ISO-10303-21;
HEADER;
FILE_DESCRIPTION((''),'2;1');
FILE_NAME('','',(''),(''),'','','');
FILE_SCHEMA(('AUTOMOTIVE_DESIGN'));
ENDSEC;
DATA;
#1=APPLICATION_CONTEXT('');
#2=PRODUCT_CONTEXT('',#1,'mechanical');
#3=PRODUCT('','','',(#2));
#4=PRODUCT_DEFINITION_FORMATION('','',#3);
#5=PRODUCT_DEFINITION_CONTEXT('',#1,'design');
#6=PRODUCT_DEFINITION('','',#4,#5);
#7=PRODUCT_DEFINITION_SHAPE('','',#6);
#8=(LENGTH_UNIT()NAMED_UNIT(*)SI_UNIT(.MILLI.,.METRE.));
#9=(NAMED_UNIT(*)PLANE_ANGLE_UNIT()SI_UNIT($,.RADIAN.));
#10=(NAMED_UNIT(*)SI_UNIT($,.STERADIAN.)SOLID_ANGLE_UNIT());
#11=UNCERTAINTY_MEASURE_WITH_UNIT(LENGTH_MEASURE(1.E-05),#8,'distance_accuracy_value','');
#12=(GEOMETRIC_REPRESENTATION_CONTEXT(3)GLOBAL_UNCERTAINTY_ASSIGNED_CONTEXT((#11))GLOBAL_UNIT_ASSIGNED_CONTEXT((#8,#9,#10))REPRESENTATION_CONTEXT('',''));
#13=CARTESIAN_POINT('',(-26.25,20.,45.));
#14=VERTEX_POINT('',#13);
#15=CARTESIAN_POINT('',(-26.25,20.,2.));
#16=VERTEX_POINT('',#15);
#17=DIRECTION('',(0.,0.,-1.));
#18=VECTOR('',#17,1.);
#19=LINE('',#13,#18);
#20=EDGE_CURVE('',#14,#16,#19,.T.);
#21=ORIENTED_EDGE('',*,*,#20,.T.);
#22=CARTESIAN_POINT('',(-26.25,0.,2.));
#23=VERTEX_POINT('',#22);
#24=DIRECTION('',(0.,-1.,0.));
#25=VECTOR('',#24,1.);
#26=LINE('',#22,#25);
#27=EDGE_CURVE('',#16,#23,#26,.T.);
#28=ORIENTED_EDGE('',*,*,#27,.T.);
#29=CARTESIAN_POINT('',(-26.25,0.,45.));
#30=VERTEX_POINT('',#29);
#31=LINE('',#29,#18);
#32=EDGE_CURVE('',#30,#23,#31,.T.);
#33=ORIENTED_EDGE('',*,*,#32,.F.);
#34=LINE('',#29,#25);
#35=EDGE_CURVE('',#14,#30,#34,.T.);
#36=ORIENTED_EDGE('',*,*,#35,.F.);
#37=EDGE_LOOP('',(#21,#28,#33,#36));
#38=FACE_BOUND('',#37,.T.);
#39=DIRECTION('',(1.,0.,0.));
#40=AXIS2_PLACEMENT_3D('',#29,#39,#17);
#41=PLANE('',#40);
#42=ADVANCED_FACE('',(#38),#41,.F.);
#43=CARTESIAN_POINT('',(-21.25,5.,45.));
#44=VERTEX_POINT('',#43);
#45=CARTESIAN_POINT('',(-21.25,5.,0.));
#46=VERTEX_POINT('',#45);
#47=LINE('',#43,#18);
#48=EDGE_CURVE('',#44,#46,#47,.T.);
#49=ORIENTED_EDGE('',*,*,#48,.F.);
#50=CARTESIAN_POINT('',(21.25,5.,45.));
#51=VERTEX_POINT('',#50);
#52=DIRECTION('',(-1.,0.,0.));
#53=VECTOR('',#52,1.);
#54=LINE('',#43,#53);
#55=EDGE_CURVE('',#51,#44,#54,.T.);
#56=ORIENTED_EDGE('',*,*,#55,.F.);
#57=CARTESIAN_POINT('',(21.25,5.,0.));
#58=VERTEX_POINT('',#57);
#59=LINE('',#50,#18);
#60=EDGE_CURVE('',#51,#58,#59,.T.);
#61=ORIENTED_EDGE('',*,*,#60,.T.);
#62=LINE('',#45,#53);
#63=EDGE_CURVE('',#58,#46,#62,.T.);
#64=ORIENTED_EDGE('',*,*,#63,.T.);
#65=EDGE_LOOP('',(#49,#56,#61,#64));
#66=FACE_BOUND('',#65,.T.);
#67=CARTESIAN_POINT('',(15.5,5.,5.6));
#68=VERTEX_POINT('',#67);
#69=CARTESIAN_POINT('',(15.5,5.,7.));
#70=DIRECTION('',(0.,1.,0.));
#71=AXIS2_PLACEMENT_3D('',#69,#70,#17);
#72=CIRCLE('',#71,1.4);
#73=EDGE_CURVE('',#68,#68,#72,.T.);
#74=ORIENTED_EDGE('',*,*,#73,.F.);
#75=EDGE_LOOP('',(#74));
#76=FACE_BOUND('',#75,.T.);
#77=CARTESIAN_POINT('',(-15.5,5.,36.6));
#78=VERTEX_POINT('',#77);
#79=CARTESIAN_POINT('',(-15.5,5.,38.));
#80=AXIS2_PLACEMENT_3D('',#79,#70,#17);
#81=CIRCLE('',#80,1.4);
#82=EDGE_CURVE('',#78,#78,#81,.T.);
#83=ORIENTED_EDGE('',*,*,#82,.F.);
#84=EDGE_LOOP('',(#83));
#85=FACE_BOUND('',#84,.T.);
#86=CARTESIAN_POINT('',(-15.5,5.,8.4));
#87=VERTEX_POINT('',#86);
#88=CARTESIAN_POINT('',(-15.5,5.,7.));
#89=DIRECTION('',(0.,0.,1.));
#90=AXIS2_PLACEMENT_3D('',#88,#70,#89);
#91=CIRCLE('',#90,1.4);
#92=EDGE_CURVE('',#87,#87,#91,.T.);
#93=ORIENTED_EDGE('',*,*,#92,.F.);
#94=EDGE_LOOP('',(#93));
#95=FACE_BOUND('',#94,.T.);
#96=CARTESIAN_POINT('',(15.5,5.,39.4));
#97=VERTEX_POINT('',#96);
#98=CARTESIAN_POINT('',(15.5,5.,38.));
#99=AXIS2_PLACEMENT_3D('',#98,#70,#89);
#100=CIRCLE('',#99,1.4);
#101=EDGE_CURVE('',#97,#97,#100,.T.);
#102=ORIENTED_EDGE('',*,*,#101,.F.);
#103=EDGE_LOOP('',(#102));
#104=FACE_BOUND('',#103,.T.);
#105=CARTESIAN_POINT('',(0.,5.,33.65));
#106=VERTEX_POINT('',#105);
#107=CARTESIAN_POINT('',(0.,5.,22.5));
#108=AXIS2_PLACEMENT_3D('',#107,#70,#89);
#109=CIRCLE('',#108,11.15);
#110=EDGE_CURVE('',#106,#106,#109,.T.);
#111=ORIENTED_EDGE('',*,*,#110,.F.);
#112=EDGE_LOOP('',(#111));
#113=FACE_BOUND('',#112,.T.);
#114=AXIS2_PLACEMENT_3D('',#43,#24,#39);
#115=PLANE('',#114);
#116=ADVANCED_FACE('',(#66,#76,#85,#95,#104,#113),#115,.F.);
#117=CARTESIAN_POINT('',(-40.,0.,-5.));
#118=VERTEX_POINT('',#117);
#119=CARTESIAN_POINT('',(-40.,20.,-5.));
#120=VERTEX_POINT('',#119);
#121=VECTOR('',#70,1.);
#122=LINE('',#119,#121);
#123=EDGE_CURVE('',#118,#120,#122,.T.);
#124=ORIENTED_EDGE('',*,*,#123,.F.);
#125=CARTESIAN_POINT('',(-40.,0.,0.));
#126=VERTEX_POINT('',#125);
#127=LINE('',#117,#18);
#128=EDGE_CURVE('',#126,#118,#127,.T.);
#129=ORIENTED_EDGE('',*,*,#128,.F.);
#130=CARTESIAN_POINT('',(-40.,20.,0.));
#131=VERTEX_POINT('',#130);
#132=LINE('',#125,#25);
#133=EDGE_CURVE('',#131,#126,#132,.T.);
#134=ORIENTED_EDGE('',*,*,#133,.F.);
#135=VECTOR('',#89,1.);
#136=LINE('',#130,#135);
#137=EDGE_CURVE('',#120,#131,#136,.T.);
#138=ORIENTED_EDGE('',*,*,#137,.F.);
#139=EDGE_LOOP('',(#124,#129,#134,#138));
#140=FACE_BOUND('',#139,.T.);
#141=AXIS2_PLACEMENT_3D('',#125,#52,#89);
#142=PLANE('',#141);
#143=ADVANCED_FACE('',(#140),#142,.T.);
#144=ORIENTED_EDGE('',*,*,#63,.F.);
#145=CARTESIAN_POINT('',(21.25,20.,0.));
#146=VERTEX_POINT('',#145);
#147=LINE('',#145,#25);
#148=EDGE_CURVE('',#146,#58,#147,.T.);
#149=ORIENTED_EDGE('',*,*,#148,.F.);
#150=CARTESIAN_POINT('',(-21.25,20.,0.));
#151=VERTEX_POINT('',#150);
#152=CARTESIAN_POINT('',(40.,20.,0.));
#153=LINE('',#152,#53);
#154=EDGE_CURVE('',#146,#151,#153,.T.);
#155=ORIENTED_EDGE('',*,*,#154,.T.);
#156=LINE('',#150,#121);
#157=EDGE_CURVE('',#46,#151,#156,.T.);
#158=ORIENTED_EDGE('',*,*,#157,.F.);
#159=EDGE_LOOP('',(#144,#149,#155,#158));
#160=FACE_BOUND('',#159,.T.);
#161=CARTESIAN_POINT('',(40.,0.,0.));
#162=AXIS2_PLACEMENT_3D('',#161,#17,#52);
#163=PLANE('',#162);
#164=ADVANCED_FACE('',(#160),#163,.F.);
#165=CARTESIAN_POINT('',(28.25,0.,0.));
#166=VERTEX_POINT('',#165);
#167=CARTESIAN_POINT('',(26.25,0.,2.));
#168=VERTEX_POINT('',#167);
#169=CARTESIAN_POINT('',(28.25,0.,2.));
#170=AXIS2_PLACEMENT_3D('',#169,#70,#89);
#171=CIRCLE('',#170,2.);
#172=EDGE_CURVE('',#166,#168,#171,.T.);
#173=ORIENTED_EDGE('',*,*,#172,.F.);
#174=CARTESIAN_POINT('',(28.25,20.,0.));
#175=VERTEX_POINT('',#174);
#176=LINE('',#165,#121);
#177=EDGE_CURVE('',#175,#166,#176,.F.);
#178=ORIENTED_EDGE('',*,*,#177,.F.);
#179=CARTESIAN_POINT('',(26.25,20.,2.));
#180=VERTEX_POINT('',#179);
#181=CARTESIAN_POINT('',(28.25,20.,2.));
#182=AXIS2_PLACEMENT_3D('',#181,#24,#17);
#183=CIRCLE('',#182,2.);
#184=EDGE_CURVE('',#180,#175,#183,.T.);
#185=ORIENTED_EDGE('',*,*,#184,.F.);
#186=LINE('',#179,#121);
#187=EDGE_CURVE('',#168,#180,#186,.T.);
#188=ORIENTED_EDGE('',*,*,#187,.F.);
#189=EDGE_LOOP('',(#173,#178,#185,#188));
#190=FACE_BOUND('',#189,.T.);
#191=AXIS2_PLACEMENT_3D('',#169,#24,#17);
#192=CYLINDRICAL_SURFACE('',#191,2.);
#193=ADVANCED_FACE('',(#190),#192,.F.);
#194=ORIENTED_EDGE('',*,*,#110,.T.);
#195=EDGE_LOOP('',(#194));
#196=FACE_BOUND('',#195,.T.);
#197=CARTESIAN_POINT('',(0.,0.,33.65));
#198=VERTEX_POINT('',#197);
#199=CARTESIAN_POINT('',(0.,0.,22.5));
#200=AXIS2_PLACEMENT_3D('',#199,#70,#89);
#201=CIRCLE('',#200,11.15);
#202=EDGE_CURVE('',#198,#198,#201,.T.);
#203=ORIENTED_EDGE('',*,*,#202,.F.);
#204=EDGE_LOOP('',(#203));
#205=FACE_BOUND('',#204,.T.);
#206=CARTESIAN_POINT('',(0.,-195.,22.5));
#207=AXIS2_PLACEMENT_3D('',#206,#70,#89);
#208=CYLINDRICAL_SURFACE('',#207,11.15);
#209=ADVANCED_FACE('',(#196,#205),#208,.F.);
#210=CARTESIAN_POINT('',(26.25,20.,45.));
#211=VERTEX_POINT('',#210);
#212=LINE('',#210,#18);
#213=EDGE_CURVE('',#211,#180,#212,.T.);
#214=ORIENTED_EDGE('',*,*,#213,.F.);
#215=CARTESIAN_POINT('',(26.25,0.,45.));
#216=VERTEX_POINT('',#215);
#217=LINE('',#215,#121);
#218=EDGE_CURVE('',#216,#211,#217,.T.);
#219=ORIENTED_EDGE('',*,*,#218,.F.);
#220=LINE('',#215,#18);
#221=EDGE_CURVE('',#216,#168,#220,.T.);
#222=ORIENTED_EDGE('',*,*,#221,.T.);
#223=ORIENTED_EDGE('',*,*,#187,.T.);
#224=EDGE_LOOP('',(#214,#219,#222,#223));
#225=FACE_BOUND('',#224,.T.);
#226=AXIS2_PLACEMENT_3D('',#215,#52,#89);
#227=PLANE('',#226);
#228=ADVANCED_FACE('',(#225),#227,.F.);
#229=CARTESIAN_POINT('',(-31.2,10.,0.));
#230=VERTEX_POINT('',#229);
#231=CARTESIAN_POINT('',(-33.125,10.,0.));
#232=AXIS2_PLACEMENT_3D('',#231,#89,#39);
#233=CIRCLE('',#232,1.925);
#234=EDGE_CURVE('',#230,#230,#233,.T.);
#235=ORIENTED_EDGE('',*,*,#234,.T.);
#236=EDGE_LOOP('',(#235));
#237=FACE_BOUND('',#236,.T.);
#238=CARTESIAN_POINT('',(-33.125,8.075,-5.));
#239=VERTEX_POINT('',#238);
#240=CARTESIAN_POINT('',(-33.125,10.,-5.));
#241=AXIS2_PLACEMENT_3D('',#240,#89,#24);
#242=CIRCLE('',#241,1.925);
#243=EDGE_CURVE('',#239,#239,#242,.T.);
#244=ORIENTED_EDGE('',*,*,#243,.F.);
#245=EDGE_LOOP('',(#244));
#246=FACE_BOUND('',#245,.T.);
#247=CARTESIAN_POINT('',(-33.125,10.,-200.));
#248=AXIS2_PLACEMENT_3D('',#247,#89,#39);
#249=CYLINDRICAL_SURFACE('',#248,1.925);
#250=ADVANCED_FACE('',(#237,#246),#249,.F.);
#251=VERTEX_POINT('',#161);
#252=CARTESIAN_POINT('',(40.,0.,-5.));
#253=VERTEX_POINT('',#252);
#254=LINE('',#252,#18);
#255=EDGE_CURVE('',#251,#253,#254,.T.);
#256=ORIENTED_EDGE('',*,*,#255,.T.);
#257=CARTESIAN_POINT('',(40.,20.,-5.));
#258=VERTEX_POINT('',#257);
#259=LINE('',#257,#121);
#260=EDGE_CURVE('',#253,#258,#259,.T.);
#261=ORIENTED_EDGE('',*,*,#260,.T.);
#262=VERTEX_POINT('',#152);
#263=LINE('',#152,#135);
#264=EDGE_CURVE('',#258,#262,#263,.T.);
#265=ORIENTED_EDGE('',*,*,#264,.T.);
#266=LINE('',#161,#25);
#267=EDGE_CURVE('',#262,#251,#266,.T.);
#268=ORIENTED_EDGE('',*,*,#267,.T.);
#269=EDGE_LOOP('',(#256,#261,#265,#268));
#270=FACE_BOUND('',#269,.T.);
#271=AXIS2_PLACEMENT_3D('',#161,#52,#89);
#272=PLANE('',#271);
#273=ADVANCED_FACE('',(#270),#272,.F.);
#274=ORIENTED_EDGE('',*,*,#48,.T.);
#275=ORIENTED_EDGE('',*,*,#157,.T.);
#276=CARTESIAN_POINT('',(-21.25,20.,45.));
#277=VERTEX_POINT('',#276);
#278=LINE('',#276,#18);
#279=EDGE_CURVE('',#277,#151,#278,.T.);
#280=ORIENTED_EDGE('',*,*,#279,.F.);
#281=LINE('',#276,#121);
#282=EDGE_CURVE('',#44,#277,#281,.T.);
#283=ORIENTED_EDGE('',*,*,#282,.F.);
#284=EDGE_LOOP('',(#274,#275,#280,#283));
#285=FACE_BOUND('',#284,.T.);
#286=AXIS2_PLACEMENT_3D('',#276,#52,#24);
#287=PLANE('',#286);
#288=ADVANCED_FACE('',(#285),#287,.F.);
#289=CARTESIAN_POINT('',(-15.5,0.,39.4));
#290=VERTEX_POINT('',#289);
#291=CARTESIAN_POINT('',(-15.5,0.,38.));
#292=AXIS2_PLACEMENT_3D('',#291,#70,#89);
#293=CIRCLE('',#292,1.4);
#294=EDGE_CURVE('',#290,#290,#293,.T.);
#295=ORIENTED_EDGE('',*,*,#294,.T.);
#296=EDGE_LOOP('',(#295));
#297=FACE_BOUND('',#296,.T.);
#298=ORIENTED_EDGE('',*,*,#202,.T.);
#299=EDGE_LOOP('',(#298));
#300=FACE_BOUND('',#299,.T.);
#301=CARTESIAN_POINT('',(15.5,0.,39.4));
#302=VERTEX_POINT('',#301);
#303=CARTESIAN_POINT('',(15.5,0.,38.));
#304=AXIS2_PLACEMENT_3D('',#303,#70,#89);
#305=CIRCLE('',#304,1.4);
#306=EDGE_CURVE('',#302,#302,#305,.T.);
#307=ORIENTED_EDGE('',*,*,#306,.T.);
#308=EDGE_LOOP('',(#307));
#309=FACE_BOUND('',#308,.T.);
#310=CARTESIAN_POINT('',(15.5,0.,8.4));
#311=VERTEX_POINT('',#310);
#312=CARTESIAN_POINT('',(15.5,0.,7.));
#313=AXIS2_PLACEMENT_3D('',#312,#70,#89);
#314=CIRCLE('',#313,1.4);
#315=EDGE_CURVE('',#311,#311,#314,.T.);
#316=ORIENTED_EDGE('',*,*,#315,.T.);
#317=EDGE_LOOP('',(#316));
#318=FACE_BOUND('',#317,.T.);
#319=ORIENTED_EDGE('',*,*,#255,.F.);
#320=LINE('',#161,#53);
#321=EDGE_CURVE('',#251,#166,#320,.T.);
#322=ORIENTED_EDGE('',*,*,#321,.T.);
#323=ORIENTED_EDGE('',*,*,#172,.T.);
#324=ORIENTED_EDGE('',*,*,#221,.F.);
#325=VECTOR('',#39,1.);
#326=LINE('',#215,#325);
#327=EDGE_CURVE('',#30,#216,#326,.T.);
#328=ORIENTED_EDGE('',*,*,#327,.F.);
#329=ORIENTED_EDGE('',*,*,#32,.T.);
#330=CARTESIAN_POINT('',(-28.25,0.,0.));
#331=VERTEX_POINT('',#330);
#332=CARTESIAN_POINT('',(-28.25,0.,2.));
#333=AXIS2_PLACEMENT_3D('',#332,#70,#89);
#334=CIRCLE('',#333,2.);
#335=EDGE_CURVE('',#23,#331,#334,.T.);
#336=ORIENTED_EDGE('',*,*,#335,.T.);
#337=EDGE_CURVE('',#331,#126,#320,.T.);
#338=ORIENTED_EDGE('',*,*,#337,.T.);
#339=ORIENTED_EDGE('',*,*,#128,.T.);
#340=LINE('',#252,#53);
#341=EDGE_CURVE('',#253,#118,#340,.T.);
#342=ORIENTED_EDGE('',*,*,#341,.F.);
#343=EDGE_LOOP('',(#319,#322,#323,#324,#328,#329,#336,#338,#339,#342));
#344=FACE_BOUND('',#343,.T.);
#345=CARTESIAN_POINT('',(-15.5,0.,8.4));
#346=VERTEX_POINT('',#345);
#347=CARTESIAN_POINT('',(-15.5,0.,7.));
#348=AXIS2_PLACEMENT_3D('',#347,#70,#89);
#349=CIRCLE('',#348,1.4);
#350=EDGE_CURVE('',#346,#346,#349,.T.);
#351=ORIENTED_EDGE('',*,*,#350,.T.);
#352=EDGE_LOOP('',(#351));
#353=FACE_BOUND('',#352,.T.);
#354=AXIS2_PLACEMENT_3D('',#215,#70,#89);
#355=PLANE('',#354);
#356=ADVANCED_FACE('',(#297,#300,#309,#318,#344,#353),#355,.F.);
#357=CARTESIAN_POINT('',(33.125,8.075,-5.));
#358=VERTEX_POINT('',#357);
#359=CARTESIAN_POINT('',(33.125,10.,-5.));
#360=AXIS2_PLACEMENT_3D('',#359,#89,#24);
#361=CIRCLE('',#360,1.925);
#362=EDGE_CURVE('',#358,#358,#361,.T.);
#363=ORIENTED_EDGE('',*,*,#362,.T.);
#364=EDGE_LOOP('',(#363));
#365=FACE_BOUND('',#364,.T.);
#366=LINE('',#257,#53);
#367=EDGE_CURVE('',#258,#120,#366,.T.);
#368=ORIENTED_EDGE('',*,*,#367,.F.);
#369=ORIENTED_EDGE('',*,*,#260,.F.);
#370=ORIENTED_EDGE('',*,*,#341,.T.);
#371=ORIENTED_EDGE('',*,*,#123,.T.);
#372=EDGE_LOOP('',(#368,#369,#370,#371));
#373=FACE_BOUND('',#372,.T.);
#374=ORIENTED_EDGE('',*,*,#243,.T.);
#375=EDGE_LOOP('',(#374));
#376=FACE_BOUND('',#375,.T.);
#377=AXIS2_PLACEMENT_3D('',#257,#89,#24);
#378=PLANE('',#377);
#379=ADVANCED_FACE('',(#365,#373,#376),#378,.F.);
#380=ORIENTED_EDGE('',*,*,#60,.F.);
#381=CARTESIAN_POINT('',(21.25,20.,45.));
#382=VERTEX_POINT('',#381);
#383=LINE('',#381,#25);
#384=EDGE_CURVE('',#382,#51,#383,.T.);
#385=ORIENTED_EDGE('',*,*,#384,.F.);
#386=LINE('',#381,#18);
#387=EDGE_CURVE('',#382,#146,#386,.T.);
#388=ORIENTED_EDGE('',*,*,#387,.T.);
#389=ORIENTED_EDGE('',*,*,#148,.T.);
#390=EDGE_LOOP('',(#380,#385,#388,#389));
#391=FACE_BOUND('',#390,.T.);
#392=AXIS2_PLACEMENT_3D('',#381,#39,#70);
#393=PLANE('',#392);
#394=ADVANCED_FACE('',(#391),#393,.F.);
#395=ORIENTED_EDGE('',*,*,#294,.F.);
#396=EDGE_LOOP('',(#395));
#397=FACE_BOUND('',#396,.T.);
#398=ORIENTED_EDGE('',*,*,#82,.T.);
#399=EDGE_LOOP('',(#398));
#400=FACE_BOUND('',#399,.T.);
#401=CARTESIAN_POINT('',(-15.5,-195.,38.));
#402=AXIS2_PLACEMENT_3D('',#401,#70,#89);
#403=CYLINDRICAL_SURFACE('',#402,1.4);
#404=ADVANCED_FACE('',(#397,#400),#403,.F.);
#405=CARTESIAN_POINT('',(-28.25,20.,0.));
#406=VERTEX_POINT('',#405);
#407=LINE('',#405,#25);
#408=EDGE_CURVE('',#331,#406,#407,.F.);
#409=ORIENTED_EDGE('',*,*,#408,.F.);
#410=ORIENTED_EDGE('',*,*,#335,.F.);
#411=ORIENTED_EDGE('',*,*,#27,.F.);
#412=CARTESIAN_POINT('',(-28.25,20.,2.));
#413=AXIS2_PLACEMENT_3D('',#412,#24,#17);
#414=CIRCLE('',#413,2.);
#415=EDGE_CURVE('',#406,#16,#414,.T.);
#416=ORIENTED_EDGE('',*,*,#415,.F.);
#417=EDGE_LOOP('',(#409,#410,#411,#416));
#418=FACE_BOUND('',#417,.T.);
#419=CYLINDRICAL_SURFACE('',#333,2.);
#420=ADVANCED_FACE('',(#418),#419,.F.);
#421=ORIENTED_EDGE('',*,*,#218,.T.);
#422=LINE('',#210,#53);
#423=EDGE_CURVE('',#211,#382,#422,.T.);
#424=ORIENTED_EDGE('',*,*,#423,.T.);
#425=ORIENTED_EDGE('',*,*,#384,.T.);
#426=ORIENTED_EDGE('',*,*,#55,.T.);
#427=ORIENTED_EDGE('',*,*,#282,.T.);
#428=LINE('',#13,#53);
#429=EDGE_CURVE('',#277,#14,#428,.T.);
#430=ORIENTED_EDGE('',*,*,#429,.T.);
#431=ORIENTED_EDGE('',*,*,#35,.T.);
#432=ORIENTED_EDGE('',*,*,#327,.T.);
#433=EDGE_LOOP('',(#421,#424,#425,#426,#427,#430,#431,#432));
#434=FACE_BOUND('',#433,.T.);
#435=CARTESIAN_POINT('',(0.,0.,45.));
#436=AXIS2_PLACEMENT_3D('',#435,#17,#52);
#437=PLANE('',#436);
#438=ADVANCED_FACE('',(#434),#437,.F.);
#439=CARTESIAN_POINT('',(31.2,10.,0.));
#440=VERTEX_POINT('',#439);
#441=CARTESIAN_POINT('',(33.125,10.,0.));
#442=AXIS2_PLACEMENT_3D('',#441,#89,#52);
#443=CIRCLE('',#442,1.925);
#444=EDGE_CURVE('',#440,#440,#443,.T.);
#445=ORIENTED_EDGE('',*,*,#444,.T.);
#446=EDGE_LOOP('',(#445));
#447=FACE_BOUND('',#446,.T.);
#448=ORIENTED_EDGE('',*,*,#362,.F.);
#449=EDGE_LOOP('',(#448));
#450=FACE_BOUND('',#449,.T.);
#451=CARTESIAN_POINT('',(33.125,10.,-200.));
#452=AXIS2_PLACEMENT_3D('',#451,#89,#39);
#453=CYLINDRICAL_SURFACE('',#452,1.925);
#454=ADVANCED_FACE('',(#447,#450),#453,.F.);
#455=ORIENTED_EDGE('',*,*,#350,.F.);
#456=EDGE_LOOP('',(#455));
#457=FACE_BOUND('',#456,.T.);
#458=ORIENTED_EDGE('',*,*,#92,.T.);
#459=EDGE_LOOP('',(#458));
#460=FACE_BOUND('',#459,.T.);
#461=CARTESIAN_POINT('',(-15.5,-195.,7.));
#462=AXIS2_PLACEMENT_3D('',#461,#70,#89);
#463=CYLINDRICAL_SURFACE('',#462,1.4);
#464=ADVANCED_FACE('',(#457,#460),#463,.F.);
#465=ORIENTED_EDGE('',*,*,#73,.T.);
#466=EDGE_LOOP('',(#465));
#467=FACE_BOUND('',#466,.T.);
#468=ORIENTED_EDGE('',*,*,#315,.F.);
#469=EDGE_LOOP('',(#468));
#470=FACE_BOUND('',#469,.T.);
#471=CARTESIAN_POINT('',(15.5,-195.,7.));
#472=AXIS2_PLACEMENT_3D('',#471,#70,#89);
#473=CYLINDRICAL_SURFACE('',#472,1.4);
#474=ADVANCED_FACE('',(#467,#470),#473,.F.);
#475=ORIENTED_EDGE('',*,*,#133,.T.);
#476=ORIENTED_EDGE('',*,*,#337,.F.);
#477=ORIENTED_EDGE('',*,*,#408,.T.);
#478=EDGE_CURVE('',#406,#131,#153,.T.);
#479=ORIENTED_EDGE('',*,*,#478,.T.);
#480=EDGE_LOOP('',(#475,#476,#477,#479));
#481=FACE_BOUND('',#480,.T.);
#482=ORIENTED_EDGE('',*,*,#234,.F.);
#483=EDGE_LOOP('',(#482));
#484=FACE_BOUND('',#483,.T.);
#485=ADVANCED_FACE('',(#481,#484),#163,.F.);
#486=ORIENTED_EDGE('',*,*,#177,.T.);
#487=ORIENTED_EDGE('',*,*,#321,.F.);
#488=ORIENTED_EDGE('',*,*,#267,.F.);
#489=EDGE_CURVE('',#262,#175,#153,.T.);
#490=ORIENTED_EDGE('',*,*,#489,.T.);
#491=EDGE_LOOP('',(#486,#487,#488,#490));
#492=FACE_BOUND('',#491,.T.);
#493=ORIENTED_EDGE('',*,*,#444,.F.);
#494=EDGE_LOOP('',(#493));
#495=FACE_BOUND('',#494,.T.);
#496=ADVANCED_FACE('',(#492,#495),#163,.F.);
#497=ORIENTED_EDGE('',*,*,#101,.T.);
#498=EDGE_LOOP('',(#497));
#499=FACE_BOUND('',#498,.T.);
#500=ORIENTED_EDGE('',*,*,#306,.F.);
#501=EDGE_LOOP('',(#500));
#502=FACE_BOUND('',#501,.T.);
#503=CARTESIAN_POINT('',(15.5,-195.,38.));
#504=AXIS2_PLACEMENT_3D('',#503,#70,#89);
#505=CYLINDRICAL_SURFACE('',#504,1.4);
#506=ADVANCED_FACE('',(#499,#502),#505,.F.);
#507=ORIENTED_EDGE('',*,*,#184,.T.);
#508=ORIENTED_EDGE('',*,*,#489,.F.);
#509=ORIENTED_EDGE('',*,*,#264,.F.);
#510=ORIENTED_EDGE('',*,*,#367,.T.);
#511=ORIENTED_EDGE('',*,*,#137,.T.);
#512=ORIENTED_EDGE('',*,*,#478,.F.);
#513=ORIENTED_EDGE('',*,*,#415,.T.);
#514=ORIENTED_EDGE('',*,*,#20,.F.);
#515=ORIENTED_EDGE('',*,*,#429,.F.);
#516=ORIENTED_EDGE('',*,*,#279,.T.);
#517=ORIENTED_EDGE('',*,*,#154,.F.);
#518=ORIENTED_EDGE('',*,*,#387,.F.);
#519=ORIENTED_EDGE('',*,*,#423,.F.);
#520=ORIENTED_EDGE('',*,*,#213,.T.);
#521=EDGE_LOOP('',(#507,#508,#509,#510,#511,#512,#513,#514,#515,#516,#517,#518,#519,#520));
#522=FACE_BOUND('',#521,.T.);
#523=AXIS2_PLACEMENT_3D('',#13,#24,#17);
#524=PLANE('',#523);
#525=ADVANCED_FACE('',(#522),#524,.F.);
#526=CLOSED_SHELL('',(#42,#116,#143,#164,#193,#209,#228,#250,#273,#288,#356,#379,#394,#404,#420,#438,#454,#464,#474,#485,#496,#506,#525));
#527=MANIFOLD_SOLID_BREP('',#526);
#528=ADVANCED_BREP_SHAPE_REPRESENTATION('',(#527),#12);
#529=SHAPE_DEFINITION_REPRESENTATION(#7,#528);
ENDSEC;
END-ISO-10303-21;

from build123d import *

# Parameters (mm, degrees)
BOSS_EXTRUDE1_DEPTH = 45
SKETCH2_W           = 5
SKETCH2_H           = 20
BOSS_EXTRUDE3_DEPTH = 40
SKETCH3_R           = 1.925
CUT_EXTRUDE1_DEPTH  = 200
SKETCH4_R           = 11.15
CUT_EXTRUDE2_DEPTH  = 200
SKETCH5_R           = 1.4
CUT_EXTRUDE3_DEPTH  = 200
FILLET1_R           = 2


with BuildPart() as part:
    # Sketch1 → Boss-Extrude1 (new body)
    with BuildSketch(Plane.XY):
        Polygon((26.25, 0), (-26.25, 0), (-26.25, 20), (-21.25, 20), (-21.25, 5), (21.25, 5), (21.25, 20), (26.25, 20), align=None)
    extrude(amount=BOSS_EXTRUDE1_DEPTH)

    # Sketch2 → Boss-Extrude3 (add, symmetric)
    with BuildSketch(Plane(origin=(0, 0, 0), x_dir=(0, 0, -1), z_dir=(1, 0, 0))):
        with Locations((2.5, 10)):
            Rectangle(SKETCH2_W, SKETCH2_H)
    extrude(amount=BOSS_EXTRUDE3_DEPTH, both=True)

    # Sketch3 → Cut-Extrude1 (cut)
    with BuildSketch(Plane.XY):
        with Locations((-33.125, 10)):
            Circle(SKETCH3_R)
        with Locations(Location((33.125, 10, 0), (0, 0, 270))):
            Circle(SKETCH3_R)
    extrude(amount=-CUT_EXTRUDE1_DEPTH, mode=Mode.SUBTRACT)

    # Sketch4 → Cut-Extrude2 (cut)
    with BuildSketch(Plane(origin=(0, 5, 0), x_dir=(1, 0, 0), z_dir=(0, 1, 0))):
        with Locations(Location((0, -22.5, 0), (0, 0, 270))):
            Circle(SKETCH4_R)
    extrude(amount=-CUT_EXTRUDE2_DEPTH, mode=Mode.SUBTRACT)

    # Sketch5 → Cut-Extrude3 (cut)
    with BuildSketch(Plane(origin=(0, 5, 0), x_dir=(1, 0, 0), z_dir=(0, 1, 0))):
        with Locations(Location((-15.5, -7, 0), (0, 0, 270))):
            Circle(SKETCH5_R)
        with Locations(Location((15.5, -7, 0), (0, 0, 270))):
            Circle(SKETCH5_R)
        with Locations(Location((-15.5, -38, 0), (0, 0, 270))):
            Circle(SKETCH5_R)
        with Locations(Location((15.5, -38, 0), (0, 0, 270))):
            Circle(SKETCH5_R)
    extrude(amount=-CUT_EXTRUDE3_DEPTH, mode=Mode.SUBTRACT)

    # Fillet1
    fillet1_edges = [part.edges().sort_by_distance(p)[0] for p in [
        (-26.25, 10, 0),
        (26.25, 10, 0),
    ]]
    fillet(fillet1_edges, radius=FILLET1_R)


solid = part.part
